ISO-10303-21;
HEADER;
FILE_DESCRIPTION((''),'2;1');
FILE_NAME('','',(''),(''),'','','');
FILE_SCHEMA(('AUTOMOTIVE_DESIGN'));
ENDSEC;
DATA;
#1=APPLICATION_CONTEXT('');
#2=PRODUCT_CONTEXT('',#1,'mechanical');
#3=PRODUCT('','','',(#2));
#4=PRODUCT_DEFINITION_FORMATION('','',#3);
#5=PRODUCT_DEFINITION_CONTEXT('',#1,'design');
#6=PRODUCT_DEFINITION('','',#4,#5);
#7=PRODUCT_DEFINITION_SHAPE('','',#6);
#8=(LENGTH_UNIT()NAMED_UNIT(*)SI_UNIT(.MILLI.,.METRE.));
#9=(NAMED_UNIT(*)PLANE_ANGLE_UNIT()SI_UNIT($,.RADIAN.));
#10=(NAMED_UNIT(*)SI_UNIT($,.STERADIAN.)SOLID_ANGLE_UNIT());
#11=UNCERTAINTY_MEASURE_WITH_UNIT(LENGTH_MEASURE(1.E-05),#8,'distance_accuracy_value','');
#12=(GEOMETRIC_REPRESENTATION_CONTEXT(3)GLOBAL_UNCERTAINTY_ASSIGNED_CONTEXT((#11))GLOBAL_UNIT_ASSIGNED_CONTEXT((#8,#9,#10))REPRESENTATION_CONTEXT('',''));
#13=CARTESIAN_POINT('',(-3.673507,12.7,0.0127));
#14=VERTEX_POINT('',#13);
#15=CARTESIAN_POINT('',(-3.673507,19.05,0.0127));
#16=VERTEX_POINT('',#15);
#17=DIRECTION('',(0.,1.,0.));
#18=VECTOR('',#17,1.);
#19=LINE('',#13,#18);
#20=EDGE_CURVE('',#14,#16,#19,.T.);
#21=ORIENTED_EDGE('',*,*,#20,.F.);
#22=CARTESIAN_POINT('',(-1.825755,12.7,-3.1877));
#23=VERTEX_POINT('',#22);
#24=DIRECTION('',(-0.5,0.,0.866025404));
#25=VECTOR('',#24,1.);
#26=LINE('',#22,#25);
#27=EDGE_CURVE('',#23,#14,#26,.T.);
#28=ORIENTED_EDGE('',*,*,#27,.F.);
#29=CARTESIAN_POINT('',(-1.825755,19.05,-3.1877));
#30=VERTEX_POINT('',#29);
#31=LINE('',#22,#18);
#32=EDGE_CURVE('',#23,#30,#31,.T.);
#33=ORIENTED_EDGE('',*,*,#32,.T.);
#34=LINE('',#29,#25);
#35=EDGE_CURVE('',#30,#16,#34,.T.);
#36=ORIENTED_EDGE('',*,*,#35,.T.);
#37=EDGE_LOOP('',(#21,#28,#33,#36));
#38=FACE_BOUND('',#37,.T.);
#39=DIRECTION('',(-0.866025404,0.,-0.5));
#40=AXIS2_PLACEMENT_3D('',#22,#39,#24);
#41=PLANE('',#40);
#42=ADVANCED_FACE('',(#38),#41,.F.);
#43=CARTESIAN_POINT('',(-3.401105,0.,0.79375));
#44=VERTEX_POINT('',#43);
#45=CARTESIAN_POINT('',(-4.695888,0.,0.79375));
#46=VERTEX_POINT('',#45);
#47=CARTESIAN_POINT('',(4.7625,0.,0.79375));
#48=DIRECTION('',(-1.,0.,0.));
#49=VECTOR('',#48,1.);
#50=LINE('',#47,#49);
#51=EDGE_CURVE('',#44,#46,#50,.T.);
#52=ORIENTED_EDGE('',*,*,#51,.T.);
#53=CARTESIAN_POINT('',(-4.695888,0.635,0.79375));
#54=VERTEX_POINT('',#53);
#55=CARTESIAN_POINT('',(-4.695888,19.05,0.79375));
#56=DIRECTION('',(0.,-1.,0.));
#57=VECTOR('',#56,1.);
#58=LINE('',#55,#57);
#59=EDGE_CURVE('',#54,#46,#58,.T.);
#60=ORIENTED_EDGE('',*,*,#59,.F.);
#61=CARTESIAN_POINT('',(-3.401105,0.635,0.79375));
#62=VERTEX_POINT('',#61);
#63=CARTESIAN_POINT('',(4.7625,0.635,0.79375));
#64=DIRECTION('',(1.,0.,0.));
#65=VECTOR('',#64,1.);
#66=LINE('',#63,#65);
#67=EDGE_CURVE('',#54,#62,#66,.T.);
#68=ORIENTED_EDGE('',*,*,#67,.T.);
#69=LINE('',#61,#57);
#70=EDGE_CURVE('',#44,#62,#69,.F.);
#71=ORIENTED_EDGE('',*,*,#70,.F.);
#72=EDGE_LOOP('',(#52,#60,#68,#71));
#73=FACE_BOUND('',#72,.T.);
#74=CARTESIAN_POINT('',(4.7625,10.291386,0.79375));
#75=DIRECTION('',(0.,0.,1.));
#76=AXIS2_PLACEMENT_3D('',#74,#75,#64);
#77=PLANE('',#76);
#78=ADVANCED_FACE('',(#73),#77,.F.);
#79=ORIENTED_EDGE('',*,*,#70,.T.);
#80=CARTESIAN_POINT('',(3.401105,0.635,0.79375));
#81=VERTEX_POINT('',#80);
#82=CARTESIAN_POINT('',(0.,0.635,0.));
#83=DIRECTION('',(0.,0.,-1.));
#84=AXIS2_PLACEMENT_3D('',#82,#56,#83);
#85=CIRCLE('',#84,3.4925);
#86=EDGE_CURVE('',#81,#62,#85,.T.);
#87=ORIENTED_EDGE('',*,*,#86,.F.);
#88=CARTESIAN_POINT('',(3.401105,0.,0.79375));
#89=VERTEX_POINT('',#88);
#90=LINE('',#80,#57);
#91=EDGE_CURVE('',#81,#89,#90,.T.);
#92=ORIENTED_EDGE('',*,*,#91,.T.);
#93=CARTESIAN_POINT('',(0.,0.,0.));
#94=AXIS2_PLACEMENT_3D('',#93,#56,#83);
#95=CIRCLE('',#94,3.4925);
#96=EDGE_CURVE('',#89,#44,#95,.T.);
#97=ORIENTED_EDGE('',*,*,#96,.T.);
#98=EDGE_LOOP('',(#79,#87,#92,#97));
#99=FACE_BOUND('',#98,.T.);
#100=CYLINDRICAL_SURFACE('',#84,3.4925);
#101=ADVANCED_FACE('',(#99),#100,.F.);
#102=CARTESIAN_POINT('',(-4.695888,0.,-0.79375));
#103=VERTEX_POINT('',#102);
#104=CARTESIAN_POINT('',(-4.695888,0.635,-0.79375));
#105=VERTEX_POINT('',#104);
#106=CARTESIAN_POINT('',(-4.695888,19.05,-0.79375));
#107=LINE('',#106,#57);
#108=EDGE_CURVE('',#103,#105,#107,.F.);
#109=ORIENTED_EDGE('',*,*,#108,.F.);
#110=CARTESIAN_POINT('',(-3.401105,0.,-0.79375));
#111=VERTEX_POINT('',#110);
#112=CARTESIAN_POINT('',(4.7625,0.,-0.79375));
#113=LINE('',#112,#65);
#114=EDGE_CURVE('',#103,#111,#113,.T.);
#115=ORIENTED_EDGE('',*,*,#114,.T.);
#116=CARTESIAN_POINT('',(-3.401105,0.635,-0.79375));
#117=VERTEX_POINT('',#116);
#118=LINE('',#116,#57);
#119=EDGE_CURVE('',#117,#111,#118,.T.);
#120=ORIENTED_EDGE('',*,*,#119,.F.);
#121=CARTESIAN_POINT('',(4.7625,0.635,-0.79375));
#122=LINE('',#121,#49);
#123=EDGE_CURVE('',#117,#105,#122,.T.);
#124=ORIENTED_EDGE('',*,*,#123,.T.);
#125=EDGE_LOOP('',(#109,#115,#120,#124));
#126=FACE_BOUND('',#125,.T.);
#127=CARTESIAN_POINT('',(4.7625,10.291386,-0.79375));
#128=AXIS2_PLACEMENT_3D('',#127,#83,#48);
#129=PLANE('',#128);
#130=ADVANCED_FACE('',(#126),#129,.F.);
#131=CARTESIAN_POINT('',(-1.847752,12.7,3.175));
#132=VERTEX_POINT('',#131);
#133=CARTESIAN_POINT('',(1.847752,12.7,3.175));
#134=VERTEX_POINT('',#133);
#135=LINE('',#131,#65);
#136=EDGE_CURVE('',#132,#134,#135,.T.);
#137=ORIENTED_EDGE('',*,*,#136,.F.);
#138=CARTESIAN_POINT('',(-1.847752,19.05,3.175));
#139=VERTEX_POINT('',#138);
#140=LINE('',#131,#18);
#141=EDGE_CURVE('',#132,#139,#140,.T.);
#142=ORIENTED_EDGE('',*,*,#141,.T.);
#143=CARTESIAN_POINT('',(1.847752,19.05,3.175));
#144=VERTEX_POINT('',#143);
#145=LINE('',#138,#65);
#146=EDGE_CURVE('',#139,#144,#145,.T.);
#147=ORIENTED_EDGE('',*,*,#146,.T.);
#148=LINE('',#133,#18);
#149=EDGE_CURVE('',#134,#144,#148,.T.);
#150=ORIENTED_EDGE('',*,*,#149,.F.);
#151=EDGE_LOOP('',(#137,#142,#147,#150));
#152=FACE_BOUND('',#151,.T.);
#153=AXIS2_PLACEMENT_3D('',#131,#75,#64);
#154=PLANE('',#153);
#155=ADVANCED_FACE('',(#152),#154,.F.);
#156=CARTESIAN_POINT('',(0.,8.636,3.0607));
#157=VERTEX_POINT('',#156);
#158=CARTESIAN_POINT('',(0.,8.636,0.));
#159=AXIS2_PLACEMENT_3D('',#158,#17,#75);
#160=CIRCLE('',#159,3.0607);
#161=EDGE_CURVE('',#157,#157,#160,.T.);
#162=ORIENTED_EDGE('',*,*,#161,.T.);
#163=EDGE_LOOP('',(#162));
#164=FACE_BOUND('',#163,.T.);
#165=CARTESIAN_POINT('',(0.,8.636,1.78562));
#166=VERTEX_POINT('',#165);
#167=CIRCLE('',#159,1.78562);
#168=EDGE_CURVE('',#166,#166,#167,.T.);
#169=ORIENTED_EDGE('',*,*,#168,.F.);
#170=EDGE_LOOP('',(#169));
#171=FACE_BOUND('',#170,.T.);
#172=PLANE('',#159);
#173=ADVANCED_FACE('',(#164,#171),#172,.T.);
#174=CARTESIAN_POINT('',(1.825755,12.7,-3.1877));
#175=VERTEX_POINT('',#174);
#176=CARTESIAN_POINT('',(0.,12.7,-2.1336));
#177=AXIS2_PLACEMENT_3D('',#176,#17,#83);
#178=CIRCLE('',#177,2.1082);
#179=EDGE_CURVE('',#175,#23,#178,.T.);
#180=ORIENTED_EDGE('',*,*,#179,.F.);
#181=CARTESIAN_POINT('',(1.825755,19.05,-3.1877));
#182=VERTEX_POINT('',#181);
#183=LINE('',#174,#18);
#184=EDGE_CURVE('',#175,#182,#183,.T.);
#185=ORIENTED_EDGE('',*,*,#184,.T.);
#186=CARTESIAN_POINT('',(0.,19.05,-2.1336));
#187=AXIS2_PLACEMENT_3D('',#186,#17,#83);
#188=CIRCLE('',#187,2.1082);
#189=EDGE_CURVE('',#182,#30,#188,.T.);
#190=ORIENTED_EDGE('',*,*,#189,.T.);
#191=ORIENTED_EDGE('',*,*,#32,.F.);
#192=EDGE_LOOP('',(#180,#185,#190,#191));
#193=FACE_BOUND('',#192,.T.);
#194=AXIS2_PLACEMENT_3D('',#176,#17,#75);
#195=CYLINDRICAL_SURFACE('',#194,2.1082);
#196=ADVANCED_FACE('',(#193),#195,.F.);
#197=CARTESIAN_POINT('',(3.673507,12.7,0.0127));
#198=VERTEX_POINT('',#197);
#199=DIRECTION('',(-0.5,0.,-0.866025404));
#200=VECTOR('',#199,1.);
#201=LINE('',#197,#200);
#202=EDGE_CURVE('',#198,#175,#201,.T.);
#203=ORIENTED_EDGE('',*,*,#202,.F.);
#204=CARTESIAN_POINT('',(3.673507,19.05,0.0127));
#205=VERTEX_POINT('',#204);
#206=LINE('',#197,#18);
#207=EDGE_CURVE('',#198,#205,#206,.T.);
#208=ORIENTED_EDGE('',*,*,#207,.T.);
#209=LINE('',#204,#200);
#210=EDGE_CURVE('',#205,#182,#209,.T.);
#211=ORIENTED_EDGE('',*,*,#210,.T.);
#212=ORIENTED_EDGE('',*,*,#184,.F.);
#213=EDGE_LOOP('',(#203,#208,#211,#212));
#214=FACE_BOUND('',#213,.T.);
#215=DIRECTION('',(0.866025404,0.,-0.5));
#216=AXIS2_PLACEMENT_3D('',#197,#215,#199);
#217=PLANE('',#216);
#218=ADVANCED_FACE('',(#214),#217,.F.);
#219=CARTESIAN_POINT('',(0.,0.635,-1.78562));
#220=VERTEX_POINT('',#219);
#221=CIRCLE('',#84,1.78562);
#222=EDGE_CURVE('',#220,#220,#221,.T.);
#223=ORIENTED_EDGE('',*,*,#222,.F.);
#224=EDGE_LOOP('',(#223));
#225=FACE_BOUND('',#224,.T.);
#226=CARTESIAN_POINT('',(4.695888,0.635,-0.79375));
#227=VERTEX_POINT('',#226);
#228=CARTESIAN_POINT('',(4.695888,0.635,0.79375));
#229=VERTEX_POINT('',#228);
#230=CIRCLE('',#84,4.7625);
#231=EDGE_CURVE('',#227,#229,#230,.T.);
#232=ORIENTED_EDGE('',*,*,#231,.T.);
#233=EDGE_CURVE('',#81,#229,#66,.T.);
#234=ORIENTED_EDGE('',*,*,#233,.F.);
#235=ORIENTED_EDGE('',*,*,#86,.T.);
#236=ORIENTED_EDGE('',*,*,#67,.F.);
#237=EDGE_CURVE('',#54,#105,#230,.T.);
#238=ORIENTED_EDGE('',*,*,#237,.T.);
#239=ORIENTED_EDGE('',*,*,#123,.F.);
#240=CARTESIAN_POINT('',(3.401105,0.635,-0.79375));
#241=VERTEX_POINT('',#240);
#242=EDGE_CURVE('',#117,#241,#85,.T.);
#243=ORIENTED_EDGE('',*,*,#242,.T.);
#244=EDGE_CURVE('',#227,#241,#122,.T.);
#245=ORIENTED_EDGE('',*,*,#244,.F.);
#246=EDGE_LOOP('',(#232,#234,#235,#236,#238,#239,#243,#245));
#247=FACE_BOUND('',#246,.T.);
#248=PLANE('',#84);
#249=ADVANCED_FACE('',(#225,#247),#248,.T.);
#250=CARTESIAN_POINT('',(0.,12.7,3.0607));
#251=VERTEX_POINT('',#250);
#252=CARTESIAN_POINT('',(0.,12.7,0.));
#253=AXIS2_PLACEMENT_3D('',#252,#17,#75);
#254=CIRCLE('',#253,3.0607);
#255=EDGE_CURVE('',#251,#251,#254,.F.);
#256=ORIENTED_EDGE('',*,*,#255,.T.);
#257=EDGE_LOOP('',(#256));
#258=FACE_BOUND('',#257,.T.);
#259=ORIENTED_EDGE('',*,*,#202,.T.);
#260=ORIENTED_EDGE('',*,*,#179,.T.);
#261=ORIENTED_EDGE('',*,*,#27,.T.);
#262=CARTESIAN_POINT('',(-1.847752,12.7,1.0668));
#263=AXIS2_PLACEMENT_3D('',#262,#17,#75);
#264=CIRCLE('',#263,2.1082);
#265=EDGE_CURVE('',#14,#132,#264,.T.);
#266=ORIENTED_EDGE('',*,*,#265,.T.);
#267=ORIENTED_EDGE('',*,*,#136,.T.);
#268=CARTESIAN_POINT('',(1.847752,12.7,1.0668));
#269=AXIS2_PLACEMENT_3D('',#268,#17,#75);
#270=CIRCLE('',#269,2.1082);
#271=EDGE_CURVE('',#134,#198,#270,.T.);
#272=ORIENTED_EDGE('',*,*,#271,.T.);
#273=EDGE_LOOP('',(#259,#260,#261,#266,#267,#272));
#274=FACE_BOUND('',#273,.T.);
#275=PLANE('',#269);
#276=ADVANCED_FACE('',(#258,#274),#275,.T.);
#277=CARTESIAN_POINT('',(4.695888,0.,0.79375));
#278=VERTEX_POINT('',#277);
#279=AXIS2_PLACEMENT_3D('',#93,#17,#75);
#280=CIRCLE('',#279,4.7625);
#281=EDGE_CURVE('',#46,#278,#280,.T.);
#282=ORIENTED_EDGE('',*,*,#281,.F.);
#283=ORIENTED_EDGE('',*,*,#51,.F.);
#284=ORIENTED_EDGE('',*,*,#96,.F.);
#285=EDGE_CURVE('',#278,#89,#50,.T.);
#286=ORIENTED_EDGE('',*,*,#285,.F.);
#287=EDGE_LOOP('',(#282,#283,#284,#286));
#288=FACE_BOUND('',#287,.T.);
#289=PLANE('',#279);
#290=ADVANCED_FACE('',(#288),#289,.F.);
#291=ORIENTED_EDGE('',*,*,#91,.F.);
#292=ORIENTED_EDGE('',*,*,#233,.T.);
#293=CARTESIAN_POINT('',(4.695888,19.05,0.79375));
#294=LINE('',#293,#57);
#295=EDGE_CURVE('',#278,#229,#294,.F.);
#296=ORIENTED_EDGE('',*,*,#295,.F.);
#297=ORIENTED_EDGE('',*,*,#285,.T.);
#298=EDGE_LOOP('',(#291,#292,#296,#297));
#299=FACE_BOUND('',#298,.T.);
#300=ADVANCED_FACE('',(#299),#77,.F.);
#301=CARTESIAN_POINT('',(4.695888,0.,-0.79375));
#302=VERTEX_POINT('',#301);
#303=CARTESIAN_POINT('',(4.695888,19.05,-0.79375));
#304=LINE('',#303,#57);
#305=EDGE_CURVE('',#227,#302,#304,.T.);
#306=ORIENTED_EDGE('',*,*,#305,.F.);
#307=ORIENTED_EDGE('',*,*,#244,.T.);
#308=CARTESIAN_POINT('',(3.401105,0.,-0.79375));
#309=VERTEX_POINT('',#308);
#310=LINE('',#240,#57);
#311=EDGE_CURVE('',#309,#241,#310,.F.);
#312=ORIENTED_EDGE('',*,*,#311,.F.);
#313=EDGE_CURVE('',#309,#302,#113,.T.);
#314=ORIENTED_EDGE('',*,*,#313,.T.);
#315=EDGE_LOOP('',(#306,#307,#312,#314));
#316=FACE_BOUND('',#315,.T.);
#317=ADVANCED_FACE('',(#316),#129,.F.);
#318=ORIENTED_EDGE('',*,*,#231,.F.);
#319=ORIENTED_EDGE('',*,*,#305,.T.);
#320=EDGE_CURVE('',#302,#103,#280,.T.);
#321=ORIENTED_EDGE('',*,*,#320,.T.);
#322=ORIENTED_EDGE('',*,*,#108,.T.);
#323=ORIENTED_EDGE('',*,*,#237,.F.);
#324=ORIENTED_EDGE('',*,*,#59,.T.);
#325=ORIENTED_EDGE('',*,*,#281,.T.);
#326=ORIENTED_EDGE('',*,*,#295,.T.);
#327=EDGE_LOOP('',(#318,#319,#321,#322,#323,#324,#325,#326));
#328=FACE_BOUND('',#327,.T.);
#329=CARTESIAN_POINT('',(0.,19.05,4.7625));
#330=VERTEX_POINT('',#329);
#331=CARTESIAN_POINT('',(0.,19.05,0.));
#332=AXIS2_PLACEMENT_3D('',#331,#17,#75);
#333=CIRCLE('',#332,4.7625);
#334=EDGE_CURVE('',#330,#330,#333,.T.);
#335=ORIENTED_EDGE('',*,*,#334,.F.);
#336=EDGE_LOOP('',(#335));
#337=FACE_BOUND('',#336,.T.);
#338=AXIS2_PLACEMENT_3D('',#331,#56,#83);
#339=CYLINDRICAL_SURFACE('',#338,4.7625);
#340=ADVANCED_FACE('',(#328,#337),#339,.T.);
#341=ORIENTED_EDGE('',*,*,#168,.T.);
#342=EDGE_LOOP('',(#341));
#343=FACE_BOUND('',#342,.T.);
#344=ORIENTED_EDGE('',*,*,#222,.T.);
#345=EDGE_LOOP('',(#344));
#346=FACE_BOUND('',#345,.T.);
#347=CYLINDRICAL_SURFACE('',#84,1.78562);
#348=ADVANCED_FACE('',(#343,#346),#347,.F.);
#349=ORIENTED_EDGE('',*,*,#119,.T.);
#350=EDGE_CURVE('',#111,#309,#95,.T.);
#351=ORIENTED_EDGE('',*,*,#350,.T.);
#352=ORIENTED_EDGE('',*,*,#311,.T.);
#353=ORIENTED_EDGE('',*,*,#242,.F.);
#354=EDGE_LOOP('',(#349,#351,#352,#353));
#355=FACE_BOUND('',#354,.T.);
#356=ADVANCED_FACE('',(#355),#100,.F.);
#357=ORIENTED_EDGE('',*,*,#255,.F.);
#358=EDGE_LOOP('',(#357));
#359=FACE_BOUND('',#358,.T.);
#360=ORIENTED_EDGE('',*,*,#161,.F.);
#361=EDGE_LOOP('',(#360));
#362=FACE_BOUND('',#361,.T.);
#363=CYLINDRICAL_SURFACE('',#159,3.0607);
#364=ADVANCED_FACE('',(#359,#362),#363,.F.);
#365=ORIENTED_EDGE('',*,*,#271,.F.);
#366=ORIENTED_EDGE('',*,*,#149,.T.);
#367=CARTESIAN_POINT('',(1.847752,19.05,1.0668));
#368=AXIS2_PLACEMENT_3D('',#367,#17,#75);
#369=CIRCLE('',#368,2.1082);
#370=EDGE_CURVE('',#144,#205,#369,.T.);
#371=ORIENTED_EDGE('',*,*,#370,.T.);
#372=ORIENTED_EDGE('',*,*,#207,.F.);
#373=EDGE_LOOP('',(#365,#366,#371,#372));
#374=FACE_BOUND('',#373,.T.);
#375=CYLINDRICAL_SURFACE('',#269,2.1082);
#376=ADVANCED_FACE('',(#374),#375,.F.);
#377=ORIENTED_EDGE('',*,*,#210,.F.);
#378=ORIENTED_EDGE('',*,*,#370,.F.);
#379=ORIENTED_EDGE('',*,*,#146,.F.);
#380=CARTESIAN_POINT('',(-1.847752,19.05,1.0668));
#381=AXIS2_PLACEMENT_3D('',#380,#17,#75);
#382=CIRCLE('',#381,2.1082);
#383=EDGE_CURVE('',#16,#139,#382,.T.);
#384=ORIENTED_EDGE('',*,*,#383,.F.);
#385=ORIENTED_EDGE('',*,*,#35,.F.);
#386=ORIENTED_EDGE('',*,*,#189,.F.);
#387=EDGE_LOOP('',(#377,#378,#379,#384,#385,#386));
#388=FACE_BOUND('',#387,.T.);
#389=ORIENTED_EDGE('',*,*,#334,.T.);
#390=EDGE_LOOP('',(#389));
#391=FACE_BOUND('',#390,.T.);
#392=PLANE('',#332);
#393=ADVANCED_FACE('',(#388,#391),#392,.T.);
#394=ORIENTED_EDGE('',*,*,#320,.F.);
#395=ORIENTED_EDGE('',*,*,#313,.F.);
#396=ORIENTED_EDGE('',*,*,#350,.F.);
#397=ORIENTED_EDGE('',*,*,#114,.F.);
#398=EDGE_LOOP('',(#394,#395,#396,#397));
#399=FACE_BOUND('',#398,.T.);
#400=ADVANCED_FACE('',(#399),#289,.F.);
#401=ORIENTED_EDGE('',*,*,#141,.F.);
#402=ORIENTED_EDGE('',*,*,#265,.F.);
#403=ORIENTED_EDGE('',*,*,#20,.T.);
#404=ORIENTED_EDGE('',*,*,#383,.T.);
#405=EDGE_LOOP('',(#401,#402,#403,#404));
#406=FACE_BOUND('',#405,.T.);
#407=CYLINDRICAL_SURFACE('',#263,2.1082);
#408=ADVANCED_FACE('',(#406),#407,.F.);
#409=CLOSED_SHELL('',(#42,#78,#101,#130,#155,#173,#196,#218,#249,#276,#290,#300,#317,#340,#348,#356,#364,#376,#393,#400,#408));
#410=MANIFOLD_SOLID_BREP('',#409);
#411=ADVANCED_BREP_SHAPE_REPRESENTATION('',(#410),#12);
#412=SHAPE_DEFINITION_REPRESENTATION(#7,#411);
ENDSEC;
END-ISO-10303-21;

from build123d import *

# Parameters (mm, degrees)
SKETCH1_R                       = 4.7625
EXTRUDE1_DEPTH                  = 19.05
SKETCH2_R                       = 3.0607
CUT_EXTRUDE1_DEPTH              = 10.414
SKETCH3_R                       = 3.4925
CUT_EXTRUDE2_DEPTH              = 0.635
CUT_EXTRUDE5_DEPTH              = 6.35
F_9_64_0_14063_DIAMETER_HOLE1_D = 3.57124
SKETCH7_W                       = 9.525
SKETCH7_H                       = 1.5875
CUT_EXTRUDE4_DEPTH              = 0.635


with BuildPart() as part:
    # Sketch1 → Extrude1 (new body)
    with BuildSketch(Plane(origin=(0, 0, 0), x_dir=(1, 0, 0), z_dir=(0, 1, 0))):
        with Locations(Location((0, 0, 0), (0, 0, 270))):  # turned: the seam where the file's is
            Circle(SKETCH1_R)
    extrude(amount=EXTRUDE1_DEPTH)

    # Sketch2 → Cut-Extrude1 (cut)
    with BuildSketch(Plane(origin=(0, 19.05, 0), x_dir=(1, 0, 0), z_dir=(0, 1, 0))):
        with Locations(Location((0, 0, 0), (0, 0, 270))):  # turned: the seam where the file's is
            Circle(SKETCH2_R)
    extrude(amount=-CUT_EXTRUDE1_DEPTH, mode=Mode.SUBTRACT)

    # Sketch3 → Cut-Extrude2 (cut)
    with BuildSketch(Plane.XZ):
        with Locations(Location((0, 0, 0), (0, 0, 270))):  # turned: the seam where the file's is
            Circle(SKETCH3_R)
    extrude(amount=-CUT_EXTRUDE2_DEPTH, mode=Mode.SUBTRACT)

    # Sketch8 → Cut-Extrude5 (cut)
    with BuildSketch(Plane(origin=(0, 19.05, 0), x_dir=(1, 0, 0), z_dir=(0, 1, 0))):
        with BuildLine():
            Line((-1.825754756, 3.1877), (-3.673506558, -0.0127))
            ThreePointArc((-3.673506558, -0.0127), (-3.673506558, -2.1209), (-1.847751802, -3.175))
            Line((-1.847751802, -3.175), (1.847751802, -3.175))
            ThreePointArc((1.847751802, -3.175), (3.673506558, -2.1209), (3.673506558, -0.0127))
            Line((3.673506558, -0.0127), (1.825754756, 3.1877))
            ThreePointArc((1.825754756, 3.1877), (0, 4.2418), (-1.825754756, 3.1877))
        make_face()
    extrude(amount=-CUT_EXTRUDE5_DEPTH, mode=Mode.SUBTRACT)

    # 9/64 (0.14063) Diameter Hole1 (through all)
    with Locations(Plane(origin=(0, 0.635, 0), x_dir=(0, 0, -1), z_dir=(0, -1, 0))):
        with Locations((0, 0)):
            Hole(F_9_64_0_14063_DIAMETER_HOLE1_D / 2)

    # Sketch7 → Cut-Extrude4 (cut)
    with BuildSketch(Plane.XZ):
        Rectangle(SKETCH7_W, SKETCH7_H)
    extrude(amount=-CUT_EXTRUDE4_DEPTH, mode=Mode.SUBTRACT)


solid = part.part
